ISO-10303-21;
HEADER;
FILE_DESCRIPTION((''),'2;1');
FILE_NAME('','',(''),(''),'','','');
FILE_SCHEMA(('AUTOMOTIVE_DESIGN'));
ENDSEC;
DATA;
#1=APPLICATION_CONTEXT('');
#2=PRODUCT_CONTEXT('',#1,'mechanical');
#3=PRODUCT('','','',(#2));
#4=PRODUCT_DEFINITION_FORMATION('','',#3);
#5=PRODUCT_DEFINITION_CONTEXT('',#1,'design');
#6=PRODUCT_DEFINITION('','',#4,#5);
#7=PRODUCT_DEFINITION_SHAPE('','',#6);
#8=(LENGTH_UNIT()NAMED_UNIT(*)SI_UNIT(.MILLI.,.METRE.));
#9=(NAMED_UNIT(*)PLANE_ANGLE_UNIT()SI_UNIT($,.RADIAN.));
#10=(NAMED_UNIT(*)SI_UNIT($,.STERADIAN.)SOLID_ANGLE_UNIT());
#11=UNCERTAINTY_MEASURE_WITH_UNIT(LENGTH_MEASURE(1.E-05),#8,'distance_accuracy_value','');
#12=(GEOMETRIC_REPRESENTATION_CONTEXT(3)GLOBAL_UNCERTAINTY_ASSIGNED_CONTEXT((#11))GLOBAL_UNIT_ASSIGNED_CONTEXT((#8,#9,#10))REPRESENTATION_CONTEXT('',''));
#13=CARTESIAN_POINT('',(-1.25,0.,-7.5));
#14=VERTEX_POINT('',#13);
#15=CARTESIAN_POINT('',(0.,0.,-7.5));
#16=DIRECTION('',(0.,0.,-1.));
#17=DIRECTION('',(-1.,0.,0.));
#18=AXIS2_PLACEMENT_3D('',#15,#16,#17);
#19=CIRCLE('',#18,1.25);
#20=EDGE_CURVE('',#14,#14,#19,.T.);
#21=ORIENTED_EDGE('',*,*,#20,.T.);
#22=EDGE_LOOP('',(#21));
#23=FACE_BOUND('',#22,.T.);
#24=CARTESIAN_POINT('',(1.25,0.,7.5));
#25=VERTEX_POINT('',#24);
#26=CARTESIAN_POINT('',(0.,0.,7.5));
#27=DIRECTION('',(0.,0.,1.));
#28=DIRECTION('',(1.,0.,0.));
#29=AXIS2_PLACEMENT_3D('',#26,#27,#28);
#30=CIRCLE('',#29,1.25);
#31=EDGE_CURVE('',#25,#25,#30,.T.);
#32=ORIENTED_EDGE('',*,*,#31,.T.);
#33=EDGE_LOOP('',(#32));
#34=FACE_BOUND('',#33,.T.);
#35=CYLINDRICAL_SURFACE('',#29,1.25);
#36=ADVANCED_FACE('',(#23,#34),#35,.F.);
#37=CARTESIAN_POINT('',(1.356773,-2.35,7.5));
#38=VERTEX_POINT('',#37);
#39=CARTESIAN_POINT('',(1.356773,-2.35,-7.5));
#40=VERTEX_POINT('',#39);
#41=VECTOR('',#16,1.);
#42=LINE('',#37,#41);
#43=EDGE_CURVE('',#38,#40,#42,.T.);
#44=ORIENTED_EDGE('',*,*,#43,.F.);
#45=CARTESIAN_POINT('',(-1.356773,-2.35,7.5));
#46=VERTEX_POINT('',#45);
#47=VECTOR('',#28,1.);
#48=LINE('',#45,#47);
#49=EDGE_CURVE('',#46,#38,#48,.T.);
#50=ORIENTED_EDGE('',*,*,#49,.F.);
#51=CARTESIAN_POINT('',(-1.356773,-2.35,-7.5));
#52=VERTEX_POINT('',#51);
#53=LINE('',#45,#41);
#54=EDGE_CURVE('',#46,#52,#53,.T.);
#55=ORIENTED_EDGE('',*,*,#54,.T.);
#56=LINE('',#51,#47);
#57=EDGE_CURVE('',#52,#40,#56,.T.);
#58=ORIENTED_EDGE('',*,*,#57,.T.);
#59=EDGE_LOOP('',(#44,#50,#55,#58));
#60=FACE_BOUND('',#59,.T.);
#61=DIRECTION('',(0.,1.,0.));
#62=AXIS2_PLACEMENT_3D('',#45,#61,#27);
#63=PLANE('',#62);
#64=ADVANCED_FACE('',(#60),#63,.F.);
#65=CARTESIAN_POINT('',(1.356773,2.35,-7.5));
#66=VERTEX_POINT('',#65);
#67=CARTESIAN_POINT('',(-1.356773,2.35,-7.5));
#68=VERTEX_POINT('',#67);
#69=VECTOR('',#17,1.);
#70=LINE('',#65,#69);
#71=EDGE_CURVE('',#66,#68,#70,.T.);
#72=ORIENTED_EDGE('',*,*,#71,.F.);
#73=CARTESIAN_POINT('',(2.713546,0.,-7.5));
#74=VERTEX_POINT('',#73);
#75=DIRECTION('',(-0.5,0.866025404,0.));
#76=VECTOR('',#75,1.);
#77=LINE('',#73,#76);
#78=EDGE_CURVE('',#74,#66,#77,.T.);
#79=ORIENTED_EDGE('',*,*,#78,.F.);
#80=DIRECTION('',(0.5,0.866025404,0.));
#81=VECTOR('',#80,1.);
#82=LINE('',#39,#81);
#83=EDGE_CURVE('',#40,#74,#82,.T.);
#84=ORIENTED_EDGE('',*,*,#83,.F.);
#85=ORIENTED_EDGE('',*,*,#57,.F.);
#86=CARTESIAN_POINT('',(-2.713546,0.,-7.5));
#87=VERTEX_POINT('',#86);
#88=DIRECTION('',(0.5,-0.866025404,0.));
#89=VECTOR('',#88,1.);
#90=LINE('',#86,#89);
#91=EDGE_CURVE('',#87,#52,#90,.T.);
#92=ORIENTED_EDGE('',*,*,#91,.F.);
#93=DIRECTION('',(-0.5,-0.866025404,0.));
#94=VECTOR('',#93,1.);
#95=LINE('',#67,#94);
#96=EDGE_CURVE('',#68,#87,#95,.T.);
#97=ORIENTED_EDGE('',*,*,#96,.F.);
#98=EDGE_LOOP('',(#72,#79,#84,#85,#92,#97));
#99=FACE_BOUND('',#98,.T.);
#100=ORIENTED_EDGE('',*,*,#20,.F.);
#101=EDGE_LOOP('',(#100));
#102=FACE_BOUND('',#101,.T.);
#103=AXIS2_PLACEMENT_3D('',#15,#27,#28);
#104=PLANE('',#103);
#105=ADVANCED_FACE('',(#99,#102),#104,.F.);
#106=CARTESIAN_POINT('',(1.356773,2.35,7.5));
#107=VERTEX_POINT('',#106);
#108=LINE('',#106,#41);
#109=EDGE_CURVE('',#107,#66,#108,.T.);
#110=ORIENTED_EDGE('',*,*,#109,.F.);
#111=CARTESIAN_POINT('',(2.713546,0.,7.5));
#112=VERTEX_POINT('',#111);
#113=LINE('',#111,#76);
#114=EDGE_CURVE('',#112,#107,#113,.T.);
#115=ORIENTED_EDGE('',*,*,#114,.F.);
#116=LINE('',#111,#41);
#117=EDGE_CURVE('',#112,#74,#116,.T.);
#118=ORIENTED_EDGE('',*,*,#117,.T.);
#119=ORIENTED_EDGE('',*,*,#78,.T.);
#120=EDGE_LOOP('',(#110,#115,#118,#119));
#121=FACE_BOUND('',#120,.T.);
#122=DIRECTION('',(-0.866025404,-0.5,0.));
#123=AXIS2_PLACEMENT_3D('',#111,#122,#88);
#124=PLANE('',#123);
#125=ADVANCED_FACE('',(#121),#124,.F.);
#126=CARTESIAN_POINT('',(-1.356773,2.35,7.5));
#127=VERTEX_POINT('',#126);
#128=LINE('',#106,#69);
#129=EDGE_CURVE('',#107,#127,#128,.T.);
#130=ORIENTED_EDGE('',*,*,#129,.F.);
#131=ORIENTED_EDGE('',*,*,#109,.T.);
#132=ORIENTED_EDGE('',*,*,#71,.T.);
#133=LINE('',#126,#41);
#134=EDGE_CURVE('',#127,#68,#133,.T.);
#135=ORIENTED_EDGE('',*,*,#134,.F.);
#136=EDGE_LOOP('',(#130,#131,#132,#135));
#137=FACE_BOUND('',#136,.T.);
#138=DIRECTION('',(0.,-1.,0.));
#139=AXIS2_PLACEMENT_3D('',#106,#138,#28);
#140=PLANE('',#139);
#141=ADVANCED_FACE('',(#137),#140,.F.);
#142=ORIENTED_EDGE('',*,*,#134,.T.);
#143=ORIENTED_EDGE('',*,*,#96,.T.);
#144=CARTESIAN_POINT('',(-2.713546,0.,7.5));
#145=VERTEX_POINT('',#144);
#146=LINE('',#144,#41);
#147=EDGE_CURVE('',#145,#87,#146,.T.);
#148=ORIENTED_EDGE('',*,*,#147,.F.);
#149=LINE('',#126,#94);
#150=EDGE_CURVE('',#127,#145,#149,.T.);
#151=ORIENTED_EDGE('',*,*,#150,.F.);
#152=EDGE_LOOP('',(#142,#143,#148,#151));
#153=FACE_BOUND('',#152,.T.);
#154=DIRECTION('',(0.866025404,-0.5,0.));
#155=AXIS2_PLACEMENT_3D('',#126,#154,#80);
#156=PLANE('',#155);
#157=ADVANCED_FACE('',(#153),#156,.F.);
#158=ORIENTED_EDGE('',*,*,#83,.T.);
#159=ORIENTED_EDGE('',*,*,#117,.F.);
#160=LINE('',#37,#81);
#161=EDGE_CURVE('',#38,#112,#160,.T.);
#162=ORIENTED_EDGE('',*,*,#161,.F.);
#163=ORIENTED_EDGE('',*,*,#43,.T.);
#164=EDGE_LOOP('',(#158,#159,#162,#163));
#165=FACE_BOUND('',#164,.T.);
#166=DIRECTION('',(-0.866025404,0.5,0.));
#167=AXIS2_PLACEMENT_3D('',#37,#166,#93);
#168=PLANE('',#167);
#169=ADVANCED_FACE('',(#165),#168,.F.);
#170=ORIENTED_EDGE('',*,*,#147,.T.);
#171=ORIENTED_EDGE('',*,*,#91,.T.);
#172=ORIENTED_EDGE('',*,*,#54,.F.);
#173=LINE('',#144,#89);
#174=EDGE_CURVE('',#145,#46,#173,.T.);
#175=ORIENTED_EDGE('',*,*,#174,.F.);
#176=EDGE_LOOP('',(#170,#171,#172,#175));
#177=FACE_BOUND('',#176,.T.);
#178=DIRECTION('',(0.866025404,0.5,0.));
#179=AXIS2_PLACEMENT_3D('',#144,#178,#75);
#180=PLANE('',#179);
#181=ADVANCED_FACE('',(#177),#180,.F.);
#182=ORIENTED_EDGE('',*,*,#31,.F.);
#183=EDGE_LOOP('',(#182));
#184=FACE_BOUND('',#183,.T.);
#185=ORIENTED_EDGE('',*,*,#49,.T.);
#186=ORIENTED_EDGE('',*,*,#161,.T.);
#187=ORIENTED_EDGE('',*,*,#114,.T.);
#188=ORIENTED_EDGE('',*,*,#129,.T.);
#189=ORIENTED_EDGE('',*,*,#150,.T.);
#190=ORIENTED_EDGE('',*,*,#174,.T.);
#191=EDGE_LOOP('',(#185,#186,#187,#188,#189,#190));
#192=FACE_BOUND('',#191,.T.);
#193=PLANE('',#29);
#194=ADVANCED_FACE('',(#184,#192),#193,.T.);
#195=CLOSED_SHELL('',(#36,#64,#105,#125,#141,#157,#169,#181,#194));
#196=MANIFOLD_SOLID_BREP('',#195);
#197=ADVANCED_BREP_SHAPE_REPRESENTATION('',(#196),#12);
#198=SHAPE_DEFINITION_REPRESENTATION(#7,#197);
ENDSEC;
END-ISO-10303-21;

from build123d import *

# Parameters (mm, degrees)
EXTRUDE_1_DEPTH = 7.5


with BuildPart() as part:
    # 草图1 → 凸台-拉伸1 (new body, symmetric)
    with BuildSketch(Plane.XY):
        Polygon((1.356773133, 2.35), (-1.356773133, 2.35), (-2.713546265, 0), (-1.356773133, -2.35), (1.356773133, -2.35), (2.713546265, 0), align=None)
    extrude(amount=EXTRUDE_1_DEPTH, both=True)

    # 草图3 → Hole Wizard 387 (revolve, cut)
    with BuildSketch(Plane(origin=(0, 0, 7.5), x_dir=(0, -1, 0), z_dir=(1, 0, 0))):
        Polygon((0, 0), (0, 8.751075774), (1.25, 8), (1.25, 0), align=None)
    hole_wizard_387 = revolve(axis=Axis((0, 0, 13.85), (0, 0, -1)), mode=Mode.SUBTRACT)

    # 镜向1: Hole Wizard 387 across plane
    add(hole_wizard_387.mirror(Plane.XY), mode=Mode.SUBTRACT)


solid = part.part
